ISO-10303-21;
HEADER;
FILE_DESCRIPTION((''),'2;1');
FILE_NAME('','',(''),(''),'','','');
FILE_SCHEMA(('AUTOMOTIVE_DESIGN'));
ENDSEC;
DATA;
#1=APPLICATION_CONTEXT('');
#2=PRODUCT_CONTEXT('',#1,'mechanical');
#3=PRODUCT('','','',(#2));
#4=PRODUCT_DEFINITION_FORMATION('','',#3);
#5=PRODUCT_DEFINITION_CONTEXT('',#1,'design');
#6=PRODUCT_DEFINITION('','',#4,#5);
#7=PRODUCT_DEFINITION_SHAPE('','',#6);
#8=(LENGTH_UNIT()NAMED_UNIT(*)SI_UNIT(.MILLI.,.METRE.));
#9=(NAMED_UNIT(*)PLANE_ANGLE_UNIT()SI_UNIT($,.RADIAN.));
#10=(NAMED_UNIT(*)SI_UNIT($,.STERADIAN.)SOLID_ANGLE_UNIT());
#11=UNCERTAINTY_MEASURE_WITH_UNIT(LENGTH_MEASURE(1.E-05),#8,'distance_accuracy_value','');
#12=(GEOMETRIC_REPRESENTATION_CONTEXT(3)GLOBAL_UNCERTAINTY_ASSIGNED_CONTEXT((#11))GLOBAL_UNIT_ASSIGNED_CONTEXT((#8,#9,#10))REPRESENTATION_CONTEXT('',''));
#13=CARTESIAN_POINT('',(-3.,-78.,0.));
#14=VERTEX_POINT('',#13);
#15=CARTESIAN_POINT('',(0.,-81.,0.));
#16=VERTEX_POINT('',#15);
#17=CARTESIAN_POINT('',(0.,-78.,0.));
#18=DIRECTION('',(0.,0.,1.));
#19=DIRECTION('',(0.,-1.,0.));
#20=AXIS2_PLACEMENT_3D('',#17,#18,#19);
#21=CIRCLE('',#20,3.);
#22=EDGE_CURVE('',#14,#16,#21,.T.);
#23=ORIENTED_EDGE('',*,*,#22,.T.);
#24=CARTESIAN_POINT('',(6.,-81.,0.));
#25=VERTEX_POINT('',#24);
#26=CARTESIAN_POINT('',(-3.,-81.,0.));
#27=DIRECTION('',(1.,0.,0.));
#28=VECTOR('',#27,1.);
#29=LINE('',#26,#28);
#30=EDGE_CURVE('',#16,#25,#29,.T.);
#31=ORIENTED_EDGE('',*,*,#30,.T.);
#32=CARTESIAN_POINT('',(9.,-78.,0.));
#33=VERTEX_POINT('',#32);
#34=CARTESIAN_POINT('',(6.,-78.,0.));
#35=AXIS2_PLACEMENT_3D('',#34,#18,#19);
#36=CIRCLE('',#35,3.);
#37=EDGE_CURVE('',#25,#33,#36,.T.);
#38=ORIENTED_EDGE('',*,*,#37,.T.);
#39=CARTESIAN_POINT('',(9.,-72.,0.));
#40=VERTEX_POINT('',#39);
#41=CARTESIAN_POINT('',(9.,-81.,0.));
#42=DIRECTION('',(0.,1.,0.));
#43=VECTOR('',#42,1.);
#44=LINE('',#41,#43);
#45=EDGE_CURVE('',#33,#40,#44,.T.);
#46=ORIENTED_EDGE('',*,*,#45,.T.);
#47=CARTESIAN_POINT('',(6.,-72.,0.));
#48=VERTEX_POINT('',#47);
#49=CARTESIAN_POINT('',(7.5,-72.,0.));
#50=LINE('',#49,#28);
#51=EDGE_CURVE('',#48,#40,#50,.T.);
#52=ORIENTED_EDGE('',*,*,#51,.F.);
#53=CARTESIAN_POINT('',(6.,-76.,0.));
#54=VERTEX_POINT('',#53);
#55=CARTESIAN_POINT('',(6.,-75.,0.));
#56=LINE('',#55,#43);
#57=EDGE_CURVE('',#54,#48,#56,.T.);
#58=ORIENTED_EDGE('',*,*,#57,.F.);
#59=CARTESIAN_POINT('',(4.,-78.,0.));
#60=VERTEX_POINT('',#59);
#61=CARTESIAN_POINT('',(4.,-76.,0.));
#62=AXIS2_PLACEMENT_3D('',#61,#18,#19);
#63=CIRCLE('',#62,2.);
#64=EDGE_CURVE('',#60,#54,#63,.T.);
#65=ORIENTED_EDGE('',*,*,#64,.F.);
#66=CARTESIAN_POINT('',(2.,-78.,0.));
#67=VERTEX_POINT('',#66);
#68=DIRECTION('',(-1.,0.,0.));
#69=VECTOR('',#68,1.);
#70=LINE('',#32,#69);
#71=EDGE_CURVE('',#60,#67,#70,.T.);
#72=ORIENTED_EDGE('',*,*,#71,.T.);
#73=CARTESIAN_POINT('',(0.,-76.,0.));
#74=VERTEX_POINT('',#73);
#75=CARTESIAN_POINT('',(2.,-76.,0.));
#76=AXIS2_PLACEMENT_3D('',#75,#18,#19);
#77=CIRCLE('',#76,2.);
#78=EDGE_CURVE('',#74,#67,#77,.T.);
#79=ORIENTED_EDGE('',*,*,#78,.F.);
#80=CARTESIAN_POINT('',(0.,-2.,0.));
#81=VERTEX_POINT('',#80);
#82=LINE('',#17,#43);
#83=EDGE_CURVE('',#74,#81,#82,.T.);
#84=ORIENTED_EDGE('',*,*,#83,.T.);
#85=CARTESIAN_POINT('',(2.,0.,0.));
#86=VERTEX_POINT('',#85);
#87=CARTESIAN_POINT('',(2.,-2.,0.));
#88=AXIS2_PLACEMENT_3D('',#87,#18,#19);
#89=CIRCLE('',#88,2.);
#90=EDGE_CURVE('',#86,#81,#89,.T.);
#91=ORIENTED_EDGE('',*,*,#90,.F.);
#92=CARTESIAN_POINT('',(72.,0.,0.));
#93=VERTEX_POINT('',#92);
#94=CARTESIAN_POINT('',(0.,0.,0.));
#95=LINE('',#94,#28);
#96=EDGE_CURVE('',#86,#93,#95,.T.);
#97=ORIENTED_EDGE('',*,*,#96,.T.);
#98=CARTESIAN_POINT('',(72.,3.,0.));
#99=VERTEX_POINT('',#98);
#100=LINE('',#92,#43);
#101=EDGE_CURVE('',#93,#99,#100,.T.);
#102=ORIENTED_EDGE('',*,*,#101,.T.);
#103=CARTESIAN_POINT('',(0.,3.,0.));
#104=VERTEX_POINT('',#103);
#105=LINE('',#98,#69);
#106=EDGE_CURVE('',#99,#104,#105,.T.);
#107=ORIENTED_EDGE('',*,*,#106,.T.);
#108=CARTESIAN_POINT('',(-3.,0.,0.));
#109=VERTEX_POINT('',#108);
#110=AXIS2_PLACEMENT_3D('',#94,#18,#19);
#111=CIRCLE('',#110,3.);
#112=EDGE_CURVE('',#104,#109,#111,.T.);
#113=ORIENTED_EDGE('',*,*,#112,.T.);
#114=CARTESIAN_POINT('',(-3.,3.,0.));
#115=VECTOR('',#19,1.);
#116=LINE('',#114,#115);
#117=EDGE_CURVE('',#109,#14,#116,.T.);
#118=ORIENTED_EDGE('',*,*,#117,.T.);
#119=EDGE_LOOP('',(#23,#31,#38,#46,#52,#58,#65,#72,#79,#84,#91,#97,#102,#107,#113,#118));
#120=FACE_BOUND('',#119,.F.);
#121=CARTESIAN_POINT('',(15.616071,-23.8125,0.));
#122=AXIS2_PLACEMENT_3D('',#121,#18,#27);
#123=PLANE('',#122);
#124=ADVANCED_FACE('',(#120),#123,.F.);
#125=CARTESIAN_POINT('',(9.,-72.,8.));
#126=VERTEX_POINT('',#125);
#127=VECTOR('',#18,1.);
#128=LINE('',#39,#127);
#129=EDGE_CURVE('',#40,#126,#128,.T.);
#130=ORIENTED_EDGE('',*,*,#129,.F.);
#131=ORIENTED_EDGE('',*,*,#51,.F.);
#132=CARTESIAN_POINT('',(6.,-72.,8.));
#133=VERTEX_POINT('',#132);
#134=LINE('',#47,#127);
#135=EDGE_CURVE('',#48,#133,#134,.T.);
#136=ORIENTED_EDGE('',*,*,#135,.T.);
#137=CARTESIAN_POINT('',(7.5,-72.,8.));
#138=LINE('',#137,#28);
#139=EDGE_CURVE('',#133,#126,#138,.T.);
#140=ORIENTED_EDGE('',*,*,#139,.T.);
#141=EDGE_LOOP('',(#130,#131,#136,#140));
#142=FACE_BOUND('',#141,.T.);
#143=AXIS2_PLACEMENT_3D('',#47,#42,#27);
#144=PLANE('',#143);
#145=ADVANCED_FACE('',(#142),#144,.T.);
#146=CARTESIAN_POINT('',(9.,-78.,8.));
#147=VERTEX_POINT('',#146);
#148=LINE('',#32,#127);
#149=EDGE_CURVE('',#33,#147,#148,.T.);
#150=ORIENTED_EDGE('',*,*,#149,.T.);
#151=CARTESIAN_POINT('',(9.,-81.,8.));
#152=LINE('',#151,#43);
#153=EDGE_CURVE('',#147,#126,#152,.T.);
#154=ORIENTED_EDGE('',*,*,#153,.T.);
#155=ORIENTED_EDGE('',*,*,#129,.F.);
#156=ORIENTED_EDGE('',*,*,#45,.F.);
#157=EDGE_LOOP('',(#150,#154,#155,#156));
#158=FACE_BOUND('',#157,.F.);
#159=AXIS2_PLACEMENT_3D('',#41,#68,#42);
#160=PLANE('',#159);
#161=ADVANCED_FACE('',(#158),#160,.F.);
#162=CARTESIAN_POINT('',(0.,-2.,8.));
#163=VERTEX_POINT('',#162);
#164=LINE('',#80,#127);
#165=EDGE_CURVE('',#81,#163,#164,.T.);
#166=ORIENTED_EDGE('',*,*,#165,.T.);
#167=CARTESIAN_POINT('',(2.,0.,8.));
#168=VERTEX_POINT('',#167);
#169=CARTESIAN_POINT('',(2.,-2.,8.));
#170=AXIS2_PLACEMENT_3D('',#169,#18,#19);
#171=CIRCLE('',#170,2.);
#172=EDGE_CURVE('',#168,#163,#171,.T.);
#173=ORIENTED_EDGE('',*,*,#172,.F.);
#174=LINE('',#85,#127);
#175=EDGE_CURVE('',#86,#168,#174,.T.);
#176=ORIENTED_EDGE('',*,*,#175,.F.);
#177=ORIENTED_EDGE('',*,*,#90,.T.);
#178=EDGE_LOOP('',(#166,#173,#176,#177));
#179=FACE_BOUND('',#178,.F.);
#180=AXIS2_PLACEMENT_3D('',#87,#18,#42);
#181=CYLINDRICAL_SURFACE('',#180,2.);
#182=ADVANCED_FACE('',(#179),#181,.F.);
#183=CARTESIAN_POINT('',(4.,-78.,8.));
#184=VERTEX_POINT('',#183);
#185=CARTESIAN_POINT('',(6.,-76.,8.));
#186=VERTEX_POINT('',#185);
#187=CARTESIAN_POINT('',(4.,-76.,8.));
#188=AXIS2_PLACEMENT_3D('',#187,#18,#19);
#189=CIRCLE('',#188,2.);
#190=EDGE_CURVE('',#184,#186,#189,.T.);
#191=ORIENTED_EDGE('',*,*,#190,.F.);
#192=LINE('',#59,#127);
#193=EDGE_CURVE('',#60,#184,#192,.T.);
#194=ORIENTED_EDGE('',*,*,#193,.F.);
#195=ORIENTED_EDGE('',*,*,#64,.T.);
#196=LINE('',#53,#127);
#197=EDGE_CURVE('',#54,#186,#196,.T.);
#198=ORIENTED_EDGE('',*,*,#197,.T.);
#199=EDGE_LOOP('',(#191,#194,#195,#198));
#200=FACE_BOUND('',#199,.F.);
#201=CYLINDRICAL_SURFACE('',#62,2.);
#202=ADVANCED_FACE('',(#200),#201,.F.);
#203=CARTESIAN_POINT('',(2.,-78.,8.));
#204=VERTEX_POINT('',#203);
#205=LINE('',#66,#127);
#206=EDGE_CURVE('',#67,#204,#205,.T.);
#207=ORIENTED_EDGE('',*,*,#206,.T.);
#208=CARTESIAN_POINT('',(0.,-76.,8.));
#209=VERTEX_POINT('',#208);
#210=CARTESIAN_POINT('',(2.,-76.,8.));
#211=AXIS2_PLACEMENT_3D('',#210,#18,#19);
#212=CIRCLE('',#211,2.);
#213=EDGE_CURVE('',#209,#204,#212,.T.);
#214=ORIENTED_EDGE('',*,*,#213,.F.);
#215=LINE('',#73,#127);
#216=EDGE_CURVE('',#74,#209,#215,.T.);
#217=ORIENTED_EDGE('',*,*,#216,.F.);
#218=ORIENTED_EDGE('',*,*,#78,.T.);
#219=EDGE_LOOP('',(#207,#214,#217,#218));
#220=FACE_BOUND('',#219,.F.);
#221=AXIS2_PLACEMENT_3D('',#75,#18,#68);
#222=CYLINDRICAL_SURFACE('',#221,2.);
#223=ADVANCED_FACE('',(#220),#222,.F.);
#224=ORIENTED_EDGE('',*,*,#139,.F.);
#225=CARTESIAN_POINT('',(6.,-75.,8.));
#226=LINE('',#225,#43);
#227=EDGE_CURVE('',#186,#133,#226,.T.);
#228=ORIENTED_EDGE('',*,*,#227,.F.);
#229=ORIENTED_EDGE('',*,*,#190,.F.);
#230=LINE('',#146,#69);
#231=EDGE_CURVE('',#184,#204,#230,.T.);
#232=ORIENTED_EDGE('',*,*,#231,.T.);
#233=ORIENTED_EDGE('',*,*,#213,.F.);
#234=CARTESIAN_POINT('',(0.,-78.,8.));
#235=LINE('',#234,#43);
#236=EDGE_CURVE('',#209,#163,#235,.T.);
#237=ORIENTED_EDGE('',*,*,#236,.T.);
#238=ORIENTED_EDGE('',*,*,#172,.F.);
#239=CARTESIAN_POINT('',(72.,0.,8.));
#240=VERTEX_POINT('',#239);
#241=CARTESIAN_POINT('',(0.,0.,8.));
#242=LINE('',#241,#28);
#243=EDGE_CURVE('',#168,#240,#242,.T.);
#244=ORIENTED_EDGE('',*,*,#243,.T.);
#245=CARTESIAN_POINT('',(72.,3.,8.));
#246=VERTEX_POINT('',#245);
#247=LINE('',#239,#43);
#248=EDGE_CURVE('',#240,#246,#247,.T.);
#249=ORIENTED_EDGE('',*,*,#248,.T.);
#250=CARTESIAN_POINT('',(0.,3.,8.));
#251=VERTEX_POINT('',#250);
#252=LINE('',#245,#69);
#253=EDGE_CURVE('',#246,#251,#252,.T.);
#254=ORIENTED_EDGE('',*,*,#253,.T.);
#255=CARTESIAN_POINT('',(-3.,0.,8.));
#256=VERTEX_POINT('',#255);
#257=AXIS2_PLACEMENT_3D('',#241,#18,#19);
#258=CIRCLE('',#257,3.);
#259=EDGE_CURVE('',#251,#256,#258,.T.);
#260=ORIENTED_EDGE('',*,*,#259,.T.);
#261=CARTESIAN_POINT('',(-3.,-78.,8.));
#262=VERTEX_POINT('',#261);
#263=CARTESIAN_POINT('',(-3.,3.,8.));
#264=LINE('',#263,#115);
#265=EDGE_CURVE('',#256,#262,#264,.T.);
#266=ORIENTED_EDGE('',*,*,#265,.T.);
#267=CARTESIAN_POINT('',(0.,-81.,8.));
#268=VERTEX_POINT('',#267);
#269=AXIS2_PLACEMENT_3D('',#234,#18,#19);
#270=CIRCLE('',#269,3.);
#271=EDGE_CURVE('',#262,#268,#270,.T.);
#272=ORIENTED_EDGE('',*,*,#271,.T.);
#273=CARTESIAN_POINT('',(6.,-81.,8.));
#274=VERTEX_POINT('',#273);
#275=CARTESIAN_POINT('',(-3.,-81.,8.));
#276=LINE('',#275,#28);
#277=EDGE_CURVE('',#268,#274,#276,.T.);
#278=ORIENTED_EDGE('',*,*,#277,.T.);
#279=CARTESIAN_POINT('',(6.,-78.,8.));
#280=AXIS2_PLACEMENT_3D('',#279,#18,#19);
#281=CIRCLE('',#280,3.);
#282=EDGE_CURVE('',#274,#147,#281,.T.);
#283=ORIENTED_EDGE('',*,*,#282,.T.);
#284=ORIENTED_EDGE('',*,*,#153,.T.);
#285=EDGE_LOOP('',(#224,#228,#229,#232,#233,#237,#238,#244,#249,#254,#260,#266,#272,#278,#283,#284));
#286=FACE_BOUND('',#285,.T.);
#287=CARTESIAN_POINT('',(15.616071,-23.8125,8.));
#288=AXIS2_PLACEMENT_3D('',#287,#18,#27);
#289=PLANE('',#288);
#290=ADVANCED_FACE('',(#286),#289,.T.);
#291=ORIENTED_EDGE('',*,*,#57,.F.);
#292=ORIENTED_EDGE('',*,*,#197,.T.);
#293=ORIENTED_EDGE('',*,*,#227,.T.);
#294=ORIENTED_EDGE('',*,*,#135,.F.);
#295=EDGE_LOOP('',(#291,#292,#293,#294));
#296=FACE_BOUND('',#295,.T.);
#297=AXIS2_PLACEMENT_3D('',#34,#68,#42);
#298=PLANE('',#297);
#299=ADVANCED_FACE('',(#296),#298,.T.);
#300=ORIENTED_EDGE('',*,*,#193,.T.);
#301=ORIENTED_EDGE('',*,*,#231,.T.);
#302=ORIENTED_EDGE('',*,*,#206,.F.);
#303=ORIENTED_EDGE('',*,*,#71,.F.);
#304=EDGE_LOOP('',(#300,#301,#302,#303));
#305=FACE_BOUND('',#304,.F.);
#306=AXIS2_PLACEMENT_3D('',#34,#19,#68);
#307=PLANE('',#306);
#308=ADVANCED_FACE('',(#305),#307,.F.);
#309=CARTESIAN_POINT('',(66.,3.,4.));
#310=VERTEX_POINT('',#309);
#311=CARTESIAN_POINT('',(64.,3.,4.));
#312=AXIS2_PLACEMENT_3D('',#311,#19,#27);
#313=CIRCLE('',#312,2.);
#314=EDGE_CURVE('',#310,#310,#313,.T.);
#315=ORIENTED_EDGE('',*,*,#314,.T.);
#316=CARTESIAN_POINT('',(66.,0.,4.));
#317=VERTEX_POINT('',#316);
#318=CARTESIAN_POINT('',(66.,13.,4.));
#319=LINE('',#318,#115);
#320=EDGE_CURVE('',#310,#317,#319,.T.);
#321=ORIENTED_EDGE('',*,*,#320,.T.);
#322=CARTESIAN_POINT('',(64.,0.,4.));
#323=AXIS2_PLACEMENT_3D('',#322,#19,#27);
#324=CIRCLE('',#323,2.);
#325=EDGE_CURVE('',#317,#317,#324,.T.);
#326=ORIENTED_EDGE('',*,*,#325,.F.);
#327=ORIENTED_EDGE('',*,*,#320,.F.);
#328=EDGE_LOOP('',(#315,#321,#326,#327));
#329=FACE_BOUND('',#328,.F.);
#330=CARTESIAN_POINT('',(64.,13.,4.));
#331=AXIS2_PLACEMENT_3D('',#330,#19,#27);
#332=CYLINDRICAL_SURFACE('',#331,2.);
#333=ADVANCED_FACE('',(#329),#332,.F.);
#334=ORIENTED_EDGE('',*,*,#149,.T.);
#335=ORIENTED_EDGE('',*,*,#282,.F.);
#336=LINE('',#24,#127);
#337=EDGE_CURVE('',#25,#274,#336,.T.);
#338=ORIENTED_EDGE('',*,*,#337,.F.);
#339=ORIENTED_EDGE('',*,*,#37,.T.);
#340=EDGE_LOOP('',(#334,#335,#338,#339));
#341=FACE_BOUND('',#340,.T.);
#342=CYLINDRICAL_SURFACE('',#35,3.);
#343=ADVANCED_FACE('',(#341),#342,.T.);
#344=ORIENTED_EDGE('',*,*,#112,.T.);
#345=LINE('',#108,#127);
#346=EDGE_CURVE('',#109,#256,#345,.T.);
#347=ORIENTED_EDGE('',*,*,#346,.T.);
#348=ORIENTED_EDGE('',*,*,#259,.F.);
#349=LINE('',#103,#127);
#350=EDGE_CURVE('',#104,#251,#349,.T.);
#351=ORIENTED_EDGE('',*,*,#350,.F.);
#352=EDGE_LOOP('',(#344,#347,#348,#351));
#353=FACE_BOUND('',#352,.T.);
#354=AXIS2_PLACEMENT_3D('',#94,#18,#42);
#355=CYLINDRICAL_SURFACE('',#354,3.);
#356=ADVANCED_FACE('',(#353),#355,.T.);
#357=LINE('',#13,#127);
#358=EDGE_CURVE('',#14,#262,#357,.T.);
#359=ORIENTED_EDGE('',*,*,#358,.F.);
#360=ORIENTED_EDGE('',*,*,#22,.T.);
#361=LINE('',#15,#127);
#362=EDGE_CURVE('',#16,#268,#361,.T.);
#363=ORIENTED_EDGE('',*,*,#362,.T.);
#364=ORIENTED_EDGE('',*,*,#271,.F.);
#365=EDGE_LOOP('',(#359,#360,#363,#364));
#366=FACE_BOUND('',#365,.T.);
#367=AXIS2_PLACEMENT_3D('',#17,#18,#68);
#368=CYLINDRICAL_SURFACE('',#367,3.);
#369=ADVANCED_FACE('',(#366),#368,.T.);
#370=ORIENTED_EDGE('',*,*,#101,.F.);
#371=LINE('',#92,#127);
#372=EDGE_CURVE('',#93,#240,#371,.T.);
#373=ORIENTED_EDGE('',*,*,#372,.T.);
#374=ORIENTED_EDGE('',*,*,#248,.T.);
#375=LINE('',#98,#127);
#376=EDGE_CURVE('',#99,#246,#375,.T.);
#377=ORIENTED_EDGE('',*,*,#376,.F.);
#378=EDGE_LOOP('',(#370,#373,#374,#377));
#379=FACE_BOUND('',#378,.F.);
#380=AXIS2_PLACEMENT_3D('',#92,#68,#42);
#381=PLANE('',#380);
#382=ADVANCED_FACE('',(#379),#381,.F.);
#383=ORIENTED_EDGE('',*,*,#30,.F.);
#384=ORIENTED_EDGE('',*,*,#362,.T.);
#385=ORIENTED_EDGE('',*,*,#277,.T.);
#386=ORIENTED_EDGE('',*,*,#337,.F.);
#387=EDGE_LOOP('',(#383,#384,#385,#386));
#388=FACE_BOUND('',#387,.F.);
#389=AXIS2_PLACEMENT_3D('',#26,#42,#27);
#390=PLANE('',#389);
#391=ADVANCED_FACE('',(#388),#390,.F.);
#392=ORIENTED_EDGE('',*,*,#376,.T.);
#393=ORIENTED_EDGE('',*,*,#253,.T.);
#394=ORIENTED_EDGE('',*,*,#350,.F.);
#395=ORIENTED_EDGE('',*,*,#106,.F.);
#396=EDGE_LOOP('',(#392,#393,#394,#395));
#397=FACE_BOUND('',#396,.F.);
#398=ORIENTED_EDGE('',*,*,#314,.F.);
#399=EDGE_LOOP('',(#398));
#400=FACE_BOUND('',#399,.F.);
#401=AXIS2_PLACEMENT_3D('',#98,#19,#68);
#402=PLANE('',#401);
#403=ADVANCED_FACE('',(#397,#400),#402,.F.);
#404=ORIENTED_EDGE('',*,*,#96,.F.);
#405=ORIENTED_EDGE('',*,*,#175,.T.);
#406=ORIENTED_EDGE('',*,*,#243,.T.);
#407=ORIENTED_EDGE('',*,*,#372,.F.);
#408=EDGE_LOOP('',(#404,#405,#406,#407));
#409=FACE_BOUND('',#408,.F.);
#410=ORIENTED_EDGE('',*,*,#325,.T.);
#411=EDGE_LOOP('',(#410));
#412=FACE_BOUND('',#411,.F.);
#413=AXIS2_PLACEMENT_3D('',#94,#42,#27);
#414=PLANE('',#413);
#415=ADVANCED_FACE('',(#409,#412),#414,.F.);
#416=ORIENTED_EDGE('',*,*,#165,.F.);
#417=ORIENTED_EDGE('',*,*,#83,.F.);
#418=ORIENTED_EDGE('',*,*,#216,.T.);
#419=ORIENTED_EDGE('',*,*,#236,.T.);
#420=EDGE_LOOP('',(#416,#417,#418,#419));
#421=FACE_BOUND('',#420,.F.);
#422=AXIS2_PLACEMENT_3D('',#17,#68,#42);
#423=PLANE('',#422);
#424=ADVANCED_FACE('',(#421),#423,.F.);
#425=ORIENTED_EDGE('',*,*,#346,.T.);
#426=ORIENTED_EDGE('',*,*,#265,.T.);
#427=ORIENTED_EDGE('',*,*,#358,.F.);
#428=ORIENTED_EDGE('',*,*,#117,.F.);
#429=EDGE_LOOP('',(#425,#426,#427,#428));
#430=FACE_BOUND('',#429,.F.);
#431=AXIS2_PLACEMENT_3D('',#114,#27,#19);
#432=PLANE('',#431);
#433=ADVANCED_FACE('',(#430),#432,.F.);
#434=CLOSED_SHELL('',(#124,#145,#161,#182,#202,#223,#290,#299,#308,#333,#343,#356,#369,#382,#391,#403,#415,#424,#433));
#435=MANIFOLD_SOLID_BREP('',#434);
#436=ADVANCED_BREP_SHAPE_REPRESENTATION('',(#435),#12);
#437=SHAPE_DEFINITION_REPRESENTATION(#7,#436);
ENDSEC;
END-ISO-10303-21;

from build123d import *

# Parameters (mm, degrees)
F0_W     = 3
F0_H     = 6
F1_DEPTH = 8
F3_D     = 4
F3_DEPTH = 10
F4_R     = 3
F5_R     = 2


with BuildPart() as f1:
    # F0 (on Top) → F1 (new body)
    with BuildSketch(Plane.XY):
        Polygon((0, -78), (0, 0), (72, 0), (72, 3), (-3, 3), (-3, -81), (9, -81), (9, -78), (6, -78), align=None)
        with Locations((7.5, -75)):
            Rectangle(F0_W, F0_H)
    extrude(amount=F1_DEPTH)

    # F3
    with Locations(Plane(origin=(0, 3, 0), x_dir=(-1, 0, 0), z_dir=(0, 1, 0))):
        with Locations((-64, 4)):
            Hole(F3_D / 2, depth=F3_DEPTH)

    # F4
    f4_edges = [f1.edges().sort_by_distance(p)[0] for p in [
        (-3, -81, 4),
        (-3, 3, 4),
        (9, -81, 4),
    ]]
    fillet(f4_edges, radius=F4_R)

    # F5
    f5_edges = [f1.edges().sort_by_distance(p)[0] for p in [
        (6, -78, 4),
        (0, -78, 4),
        (0, 0, 4),
    ]]
    fillet(f5_edges, radius=F5_R)


solid = f1.part
